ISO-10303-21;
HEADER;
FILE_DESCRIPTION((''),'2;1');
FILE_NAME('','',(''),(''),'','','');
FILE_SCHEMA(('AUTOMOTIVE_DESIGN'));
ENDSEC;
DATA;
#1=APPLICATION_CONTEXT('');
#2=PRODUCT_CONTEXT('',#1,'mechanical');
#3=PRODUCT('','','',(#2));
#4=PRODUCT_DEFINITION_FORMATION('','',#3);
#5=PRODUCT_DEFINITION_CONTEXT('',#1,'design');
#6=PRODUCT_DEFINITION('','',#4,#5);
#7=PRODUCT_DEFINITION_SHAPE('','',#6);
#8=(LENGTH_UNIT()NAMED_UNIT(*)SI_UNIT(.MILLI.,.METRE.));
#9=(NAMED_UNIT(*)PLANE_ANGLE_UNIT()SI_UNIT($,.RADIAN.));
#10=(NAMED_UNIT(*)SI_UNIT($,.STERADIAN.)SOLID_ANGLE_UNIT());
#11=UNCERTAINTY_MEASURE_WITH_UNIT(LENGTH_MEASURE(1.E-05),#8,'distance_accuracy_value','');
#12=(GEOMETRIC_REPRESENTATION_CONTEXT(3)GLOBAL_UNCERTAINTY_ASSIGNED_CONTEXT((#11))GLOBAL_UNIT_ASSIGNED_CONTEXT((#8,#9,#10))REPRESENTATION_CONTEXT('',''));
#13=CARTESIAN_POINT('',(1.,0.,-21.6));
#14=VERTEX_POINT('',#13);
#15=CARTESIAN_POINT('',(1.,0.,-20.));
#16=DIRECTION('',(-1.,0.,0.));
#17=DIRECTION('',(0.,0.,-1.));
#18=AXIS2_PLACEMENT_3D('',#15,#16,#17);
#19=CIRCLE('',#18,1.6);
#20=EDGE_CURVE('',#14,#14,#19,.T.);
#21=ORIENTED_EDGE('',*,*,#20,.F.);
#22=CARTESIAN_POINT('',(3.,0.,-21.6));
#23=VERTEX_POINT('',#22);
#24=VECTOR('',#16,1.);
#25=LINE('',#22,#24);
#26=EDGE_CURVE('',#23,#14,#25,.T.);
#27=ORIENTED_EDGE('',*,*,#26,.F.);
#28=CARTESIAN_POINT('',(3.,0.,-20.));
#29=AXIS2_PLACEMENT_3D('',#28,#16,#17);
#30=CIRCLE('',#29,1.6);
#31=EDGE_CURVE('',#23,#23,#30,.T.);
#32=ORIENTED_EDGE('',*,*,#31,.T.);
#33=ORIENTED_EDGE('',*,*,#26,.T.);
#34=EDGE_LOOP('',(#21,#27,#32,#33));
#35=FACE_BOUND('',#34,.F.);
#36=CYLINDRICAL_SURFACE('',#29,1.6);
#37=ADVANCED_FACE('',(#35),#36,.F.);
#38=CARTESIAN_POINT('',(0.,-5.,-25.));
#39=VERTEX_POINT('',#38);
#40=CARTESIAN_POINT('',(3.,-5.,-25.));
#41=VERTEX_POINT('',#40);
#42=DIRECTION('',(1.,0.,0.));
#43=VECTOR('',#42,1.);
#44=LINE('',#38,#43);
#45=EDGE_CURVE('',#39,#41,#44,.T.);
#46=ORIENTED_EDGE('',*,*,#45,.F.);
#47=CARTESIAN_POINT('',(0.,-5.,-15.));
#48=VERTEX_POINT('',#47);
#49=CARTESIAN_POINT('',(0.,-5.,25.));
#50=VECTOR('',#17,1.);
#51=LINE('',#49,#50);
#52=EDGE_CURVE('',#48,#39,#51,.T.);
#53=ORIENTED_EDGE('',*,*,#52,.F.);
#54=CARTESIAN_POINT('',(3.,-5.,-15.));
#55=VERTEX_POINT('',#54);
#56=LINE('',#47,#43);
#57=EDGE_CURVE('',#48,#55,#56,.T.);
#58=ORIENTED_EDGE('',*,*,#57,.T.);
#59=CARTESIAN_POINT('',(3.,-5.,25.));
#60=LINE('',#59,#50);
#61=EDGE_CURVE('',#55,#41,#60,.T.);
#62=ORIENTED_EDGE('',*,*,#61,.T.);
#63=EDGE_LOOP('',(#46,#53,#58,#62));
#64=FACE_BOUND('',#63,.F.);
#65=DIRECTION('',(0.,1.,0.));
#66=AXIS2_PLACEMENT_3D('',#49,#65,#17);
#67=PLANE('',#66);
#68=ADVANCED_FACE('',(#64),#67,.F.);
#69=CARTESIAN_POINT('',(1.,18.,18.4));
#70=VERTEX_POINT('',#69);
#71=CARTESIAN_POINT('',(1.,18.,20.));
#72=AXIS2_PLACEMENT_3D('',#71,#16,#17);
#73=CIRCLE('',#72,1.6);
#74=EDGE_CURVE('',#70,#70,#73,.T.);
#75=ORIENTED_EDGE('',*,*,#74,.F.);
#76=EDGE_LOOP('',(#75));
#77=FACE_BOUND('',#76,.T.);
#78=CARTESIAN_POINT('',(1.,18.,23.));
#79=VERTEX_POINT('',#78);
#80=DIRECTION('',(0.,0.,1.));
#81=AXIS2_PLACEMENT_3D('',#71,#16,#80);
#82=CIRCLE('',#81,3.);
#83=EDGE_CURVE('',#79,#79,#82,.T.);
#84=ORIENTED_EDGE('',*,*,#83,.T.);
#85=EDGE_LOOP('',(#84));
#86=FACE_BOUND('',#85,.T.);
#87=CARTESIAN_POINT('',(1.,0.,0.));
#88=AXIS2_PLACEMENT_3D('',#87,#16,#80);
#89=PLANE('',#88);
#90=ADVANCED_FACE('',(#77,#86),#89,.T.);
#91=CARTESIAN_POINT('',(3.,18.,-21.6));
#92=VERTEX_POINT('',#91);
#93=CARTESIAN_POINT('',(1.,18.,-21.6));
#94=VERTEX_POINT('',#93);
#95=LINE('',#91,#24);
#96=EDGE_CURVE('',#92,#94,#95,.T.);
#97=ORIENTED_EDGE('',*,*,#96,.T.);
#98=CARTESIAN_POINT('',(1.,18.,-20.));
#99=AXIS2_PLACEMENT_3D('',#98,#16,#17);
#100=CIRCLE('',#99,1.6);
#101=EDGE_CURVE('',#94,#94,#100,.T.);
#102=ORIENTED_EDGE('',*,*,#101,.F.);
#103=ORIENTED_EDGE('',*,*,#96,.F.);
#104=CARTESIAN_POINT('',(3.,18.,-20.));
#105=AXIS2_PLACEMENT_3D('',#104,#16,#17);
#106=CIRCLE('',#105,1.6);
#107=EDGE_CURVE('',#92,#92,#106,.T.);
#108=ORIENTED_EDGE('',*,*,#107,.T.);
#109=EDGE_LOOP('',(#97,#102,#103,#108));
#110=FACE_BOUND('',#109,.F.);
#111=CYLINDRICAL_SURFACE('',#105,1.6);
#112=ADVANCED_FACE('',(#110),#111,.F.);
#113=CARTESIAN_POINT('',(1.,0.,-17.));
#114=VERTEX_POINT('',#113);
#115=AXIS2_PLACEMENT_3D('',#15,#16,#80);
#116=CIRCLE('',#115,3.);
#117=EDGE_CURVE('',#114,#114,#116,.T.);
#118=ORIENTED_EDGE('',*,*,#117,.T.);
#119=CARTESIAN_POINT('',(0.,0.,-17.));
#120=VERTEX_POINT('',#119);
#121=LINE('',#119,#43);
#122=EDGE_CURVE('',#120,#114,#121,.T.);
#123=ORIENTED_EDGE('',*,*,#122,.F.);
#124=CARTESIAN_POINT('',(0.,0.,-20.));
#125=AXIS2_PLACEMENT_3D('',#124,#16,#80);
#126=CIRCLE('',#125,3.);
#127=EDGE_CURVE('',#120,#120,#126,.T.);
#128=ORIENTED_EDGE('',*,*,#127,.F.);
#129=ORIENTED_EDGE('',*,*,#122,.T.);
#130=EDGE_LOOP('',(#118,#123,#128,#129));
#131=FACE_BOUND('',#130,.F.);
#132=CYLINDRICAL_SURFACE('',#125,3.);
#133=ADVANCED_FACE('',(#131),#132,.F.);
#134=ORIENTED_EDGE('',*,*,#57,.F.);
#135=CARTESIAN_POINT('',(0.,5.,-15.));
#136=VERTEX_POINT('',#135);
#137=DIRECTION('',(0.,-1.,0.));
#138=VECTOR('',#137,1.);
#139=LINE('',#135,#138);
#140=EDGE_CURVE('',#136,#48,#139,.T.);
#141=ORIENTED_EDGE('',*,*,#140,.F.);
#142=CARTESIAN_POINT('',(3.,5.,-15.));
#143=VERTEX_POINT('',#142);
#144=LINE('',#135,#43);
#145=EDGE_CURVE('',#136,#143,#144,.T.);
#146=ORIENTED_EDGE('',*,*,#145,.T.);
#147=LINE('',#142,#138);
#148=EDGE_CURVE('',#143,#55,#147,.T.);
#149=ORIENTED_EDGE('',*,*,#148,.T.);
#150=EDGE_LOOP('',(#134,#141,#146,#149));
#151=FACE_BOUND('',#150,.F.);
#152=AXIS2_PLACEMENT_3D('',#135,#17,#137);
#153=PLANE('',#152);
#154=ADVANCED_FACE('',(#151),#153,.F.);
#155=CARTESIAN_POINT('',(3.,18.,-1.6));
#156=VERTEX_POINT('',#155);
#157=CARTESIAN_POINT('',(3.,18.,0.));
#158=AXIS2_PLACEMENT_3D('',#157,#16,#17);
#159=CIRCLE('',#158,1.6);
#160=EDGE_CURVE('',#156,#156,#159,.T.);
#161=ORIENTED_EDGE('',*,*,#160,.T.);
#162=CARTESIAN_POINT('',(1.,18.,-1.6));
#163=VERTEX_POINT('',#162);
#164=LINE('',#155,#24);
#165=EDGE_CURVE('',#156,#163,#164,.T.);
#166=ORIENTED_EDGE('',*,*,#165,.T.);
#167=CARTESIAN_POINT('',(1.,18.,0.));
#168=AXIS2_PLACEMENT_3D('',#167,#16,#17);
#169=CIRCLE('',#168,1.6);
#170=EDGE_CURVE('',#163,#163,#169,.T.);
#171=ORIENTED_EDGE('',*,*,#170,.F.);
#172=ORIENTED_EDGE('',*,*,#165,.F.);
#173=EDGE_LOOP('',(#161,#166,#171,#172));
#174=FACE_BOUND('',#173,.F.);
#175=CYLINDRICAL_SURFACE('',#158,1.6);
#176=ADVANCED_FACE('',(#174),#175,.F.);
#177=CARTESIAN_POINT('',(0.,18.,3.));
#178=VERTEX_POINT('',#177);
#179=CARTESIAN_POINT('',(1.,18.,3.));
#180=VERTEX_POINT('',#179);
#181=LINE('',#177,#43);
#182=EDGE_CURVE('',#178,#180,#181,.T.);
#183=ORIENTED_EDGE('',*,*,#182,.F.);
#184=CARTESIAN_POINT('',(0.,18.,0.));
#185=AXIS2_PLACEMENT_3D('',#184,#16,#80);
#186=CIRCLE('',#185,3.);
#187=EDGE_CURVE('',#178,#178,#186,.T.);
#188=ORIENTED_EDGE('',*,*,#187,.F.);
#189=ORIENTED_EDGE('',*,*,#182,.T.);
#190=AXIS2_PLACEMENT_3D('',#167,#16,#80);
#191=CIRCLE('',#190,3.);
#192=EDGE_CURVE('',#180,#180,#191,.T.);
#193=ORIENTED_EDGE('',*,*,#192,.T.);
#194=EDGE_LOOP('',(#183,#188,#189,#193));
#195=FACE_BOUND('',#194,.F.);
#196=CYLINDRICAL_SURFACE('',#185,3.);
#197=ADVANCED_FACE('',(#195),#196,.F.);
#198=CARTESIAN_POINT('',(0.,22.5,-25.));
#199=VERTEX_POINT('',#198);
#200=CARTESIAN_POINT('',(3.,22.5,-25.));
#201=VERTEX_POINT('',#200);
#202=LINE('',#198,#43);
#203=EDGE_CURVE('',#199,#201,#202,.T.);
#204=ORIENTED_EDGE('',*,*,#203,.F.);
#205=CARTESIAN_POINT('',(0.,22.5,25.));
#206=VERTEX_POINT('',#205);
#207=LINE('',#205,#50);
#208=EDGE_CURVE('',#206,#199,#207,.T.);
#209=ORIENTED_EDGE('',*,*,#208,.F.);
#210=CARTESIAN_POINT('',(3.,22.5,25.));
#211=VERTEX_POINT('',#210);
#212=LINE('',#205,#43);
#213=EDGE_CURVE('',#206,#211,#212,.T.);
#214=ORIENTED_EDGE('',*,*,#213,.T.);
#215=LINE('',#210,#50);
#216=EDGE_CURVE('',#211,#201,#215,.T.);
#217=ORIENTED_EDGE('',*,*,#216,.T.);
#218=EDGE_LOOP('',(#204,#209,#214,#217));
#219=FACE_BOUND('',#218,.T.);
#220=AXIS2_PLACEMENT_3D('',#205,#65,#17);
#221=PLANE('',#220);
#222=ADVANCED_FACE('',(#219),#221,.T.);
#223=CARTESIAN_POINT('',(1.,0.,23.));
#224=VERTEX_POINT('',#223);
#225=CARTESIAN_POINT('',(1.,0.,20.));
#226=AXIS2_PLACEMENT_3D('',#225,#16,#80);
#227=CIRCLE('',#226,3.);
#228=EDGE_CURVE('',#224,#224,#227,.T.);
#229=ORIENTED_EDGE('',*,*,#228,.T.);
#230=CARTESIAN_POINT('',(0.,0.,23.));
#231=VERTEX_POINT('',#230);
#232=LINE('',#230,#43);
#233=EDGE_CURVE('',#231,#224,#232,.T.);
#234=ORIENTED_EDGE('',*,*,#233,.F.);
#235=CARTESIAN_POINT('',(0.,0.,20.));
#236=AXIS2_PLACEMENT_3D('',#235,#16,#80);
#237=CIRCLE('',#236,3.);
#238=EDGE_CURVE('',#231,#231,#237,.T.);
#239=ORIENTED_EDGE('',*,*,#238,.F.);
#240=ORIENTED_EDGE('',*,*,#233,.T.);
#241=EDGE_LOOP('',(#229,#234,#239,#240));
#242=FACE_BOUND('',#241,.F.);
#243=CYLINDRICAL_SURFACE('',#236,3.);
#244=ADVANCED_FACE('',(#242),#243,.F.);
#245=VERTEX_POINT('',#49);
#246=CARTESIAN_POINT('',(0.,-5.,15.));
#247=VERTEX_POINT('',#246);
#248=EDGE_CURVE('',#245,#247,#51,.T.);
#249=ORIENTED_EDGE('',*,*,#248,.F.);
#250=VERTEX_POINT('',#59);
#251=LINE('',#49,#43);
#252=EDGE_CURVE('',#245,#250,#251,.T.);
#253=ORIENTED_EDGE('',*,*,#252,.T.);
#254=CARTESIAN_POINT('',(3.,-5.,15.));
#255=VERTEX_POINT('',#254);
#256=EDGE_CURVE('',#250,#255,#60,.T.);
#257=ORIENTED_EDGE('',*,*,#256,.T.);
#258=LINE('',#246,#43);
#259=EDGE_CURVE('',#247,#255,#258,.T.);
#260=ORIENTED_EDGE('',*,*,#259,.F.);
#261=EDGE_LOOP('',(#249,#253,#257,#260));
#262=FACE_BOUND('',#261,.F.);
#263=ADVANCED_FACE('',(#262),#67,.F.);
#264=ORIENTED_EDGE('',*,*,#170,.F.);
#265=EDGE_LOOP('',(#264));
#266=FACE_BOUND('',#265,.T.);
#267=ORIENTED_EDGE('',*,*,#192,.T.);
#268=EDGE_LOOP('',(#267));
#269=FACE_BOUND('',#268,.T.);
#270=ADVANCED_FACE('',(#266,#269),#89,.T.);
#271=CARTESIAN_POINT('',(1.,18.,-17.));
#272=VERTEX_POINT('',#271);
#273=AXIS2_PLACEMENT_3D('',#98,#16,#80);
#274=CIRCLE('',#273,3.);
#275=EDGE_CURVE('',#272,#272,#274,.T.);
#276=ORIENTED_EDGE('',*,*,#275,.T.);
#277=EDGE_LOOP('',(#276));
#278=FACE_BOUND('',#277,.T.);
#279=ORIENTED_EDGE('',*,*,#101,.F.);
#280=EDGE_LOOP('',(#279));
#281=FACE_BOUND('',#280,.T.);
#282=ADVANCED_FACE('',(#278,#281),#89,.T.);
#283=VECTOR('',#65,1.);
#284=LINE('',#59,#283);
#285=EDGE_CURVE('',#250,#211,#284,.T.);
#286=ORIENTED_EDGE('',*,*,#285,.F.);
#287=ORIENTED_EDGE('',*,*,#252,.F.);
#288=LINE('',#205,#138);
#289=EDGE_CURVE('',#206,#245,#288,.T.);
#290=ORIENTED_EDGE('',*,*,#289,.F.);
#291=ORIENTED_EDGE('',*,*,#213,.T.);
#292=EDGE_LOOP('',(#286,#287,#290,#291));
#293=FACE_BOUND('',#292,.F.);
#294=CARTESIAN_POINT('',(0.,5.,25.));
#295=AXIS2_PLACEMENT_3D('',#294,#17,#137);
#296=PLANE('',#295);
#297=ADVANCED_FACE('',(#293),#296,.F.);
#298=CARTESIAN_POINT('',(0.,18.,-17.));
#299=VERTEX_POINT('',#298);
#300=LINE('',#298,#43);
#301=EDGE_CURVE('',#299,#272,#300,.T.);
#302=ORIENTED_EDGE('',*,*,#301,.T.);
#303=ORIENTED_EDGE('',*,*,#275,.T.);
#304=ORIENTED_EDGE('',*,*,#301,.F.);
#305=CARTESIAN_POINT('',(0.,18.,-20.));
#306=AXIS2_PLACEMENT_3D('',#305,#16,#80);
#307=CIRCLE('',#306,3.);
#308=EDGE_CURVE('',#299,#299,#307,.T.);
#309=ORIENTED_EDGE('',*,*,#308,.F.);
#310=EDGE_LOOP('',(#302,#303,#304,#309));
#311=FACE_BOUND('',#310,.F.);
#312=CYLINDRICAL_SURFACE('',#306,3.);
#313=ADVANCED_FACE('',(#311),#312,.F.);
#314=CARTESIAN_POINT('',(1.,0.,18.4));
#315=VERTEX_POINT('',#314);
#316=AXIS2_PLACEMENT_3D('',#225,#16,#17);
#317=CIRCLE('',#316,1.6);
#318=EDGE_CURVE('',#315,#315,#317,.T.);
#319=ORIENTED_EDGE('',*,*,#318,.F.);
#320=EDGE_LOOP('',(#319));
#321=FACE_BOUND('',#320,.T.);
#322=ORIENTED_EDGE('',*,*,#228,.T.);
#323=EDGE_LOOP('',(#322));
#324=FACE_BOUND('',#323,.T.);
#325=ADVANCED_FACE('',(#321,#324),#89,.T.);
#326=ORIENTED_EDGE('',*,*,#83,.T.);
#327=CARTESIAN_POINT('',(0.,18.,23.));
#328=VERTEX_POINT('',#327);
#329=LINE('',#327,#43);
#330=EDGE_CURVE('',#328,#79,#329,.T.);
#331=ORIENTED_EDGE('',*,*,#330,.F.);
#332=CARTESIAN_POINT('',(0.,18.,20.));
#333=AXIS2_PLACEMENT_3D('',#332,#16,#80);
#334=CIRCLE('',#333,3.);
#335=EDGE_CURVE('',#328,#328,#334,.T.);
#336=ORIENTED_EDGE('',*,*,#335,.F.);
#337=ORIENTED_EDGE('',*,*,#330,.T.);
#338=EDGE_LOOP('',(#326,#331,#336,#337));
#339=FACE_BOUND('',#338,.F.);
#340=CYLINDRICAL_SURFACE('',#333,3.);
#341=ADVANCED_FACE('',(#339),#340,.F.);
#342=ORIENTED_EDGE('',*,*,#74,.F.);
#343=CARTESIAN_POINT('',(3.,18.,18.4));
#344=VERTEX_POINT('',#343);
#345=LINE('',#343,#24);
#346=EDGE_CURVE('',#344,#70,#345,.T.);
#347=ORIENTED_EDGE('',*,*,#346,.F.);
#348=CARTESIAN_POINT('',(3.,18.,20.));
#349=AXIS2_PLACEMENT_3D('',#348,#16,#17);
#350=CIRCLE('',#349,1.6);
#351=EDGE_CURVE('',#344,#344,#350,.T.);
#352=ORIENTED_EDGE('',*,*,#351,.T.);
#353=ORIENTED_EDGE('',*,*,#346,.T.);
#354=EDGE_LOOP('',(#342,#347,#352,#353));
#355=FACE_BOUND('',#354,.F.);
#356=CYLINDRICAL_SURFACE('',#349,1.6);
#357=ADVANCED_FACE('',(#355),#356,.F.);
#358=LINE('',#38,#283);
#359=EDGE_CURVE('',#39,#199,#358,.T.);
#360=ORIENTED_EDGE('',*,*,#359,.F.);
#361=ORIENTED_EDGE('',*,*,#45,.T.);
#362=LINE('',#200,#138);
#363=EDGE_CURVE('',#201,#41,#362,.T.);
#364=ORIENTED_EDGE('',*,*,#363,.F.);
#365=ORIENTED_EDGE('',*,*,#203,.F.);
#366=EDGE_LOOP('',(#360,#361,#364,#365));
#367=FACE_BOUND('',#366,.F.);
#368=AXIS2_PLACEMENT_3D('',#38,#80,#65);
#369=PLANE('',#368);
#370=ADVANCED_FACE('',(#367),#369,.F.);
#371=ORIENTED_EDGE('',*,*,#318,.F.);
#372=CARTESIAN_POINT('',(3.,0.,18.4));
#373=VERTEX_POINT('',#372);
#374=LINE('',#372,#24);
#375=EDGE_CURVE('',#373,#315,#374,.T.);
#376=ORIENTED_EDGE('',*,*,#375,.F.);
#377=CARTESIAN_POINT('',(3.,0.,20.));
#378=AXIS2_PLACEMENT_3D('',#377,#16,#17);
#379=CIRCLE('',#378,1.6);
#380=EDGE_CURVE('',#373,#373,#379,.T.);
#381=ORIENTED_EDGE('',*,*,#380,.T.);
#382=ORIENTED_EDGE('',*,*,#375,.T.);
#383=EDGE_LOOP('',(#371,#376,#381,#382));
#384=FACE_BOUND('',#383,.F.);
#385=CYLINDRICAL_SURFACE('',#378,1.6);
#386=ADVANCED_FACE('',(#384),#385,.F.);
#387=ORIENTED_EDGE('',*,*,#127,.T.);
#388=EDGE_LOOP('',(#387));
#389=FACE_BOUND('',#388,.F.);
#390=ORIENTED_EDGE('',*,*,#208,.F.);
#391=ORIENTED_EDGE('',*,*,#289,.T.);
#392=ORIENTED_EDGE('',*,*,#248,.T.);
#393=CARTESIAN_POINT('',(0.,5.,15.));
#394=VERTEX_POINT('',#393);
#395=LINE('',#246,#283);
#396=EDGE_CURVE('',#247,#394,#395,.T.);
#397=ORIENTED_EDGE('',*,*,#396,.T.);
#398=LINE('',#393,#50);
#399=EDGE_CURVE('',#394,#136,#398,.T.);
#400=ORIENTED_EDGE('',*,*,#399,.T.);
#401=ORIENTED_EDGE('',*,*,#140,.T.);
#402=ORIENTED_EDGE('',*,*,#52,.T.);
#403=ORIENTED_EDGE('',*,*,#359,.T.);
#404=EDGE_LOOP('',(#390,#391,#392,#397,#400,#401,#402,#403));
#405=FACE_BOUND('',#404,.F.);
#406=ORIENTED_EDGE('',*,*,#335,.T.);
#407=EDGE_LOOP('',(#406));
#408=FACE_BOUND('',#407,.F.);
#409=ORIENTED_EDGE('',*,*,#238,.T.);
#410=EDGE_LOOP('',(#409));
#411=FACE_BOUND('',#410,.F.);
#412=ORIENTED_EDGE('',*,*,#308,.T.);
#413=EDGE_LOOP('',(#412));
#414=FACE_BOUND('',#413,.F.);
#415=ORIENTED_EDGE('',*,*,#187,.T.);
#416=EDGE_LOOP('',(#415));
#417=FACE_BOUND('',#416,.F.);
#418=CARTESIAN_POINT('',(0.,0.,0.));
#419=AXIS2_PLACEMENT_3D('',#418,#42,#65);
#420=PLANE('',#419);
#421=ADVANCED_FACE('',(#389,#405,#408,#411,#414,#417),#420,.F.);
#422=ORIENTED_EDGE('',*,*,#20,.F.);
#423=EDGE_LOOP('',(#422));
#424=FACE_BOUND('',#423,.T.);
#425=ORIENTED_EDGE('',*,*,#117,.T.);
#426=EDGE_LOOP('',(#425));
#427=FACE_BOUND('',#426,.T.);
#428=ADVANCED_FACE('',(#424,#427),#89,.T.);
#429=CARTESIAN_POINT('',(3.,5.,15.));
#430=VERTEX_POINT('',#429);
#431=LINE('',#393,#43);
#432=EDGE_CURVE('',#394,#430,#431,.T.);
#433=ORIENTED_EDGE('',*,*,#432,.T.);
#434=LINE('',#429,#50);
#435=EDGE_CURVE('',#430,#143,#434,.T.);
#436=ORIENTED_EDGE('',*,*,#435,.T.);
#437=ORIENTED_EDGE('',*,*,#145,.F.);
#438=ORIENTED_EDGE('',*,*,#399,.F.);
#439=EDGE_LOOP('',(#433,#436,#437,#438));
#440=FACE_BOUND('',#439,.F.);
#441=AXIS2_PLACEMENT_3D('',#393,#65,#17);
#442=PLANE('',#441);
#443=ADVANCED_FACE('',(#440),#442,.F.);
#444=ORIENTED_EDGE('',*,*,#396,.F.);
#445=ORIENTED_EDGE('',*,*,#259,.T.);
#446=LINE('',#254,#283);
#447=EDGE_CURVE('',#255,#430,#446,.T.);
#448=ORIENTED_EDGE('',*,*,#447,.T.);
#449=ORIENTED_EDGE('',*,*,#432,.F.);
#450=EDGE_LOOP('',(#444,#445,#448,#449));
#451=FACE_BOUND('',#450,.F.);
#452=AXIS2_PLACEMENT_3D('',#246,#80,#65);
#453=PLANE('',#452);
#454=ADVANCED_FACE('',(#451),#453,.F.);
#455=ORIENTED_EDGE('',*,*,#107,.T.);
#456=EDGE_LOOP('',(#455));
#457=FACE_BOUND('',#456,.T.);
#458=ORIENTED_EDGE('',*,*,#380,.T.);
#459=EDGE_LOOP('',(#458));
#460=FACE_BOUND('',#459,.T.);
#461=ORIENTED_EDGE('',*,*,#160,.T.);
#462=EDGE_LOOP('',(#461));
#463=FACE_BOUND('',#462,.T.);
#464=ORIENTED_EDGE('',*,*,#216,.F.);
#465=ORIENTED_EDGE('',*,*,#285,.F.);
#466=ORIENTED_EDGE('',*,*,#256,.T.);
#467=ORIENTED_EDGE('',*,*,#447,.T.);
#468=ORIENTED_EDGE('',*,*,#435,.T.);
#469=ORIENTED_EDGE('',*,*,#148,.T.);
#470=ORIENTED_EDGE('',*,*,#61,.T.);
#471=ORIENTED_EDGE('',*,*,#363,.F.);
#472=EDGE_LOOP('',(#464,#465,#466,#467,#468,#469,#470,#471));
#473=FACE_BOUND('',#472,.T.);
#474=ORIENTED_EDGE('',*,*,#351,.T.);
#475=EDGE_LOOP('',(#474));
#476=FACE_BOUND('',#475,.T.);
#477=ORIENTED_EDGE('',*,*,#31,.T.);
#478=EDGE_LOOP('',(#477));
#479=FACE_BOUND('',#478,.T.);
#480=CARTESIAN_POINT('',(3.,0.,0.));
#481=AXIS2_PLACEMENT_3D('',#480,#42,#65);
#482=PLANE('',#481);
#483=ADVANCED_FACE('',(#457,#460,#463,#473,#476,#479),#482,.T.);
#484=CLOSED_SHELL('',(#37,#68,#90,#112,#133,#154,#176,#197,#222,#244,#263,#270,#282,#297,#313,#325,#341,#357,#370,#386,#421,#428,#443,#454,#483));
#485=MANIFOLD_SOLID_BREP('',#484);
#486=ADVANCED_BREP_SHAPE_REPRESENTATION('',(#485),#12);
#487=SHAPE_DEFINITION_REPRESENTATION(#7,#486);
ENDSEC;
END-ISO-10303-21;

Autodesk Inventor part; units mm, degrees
ref_plane "YZ Plane" through (0, 0, 0) normal (1, 0, 0) x (0, 1, 0)
ref_plane "XZ Plane" through (0, 0, 0) normal (0, 1, 0) x (-1, 0, 0)
ref_plane "XY Plane" through (0, 0, 0) normal (0, 0, 1) x (1, 0, 0)
sketch "スケッチ1" plane through (0, 0, 0) normal (1, 0, 0) x (0, 1, 0)
  line L0 (-5, -25) -> (5, -25)
  line L1 (5, -25) -> (5, 25)
  line L2 (5, 25) -> (-5, 25)
  line L3 (-5, 25) -> (-5, -25)
  line L4 (-5, -25) -> (5, 25) construction
  line L5 (5, -25) -> (-5, 25) construction
  line L6 (5, 25) -> (22.5, 25)
  line L7 (22.5, 25) -> (22.5, -25)
  line L8 (22.5, -25) -> (5, -25)
  line L9 (5, -25) -> (5, 25)
  point P0 (0, 0)
  dimension "d0" = 10
  dimension "d1" = 50
  dimension "d2" = 17.5
extrude "押し出し1" add sketch "スケッチ1" along normal blind 3
sketch "スケッチ2" plane through (3, 0, 0) normal (1, 0, 0) x (0, 0, -1)
  line L0 (25, -5) -> (25, 22.5) projected
  line L1 (25, 22.5) -> (-25, 22.5) projected
  point P0 (0, 0)
  point P1 (-20, 0)
  point P2 (20, 0)
  point P3 (-20, 18)
  point P4 (0, 18)
  point P5 (20, 18)
  dimension "d5" = 40
  dimension "d6" = 5
  dimension "d7" = 4.5
  dimension "d28" = 4.5
  dimension "d29" = 4.5
hole "穴1" at (3, 0, 20) at (3, 0, -20) at (3, 18, 20) at (3, 18, 0) at (3, 18, -20) direction (-1, 0, 0) diameter 3.2 end through all
sketch "スケッチ3" plane through (0, 0, 0) normal (-1, 0, 0) x (0, 0, 1)
  circle A0 centre (-20, 0) radius 1.6 projected
  circle A1 centre (-20, 0) radius 3
  circle A2 centre (20, 0) radius 1.6 projected
  circle A3 centre (20, 0) radius 3
  point P0 (0, 0)
  dimension "d15" = 6
  dimension "d16" = 6
extrude "押し出し2" cut sketch "スケッチ3" against normal blind 1 contours A0 | A1 | A2 | A3
sketch "スケッチ4" plane through (0, 0, 0) normal (-1, 0, 0) x (0, 0, 1)
  circle A0 centre (-20, 18) radius 1.6 projected
  circle A1 centre (-20, 18) radius 3
  circle A2 centre (0, 18) radius 1.6 projected
  circle A3 centre (0, 18) radius 3
  circle A4 centre (20, 18) radius 1.6 projected
  circle A5 centre (20, 18) radius 3
  point P0 (0, 0)
  dimension "d19" = 6
  dimension "d20" = 6
  dimension "d21" = 6
extrude "押し出し3" cut sketch "スケッチ4" against normal blind 1 contours A0 | A1 | A3 | A4 | A5
sketch "スケッチ5" plane through (0, 0, 0) normal (-1, 0, 0) x (0, 0, 1)
  line L0 (15, 5) -> (-15, 5)
  line L1 (-15, 5) -> (-15, -5)
  line L2 (-15, -5) -> (15, -5)
  line L3 (15, -5) -> (15, 5)
  line L4 (15, 5) -> (-15, -5) construction
  line L5 (-15, 5) -> (15, -5) construction
  point P0 (0, 0)
  dimension "d24" = 30
  dimension "d25" = 10
extrude "押し出し4" cut sketch "スケッチ5" against normal blind 3
properties part number "stopper"
